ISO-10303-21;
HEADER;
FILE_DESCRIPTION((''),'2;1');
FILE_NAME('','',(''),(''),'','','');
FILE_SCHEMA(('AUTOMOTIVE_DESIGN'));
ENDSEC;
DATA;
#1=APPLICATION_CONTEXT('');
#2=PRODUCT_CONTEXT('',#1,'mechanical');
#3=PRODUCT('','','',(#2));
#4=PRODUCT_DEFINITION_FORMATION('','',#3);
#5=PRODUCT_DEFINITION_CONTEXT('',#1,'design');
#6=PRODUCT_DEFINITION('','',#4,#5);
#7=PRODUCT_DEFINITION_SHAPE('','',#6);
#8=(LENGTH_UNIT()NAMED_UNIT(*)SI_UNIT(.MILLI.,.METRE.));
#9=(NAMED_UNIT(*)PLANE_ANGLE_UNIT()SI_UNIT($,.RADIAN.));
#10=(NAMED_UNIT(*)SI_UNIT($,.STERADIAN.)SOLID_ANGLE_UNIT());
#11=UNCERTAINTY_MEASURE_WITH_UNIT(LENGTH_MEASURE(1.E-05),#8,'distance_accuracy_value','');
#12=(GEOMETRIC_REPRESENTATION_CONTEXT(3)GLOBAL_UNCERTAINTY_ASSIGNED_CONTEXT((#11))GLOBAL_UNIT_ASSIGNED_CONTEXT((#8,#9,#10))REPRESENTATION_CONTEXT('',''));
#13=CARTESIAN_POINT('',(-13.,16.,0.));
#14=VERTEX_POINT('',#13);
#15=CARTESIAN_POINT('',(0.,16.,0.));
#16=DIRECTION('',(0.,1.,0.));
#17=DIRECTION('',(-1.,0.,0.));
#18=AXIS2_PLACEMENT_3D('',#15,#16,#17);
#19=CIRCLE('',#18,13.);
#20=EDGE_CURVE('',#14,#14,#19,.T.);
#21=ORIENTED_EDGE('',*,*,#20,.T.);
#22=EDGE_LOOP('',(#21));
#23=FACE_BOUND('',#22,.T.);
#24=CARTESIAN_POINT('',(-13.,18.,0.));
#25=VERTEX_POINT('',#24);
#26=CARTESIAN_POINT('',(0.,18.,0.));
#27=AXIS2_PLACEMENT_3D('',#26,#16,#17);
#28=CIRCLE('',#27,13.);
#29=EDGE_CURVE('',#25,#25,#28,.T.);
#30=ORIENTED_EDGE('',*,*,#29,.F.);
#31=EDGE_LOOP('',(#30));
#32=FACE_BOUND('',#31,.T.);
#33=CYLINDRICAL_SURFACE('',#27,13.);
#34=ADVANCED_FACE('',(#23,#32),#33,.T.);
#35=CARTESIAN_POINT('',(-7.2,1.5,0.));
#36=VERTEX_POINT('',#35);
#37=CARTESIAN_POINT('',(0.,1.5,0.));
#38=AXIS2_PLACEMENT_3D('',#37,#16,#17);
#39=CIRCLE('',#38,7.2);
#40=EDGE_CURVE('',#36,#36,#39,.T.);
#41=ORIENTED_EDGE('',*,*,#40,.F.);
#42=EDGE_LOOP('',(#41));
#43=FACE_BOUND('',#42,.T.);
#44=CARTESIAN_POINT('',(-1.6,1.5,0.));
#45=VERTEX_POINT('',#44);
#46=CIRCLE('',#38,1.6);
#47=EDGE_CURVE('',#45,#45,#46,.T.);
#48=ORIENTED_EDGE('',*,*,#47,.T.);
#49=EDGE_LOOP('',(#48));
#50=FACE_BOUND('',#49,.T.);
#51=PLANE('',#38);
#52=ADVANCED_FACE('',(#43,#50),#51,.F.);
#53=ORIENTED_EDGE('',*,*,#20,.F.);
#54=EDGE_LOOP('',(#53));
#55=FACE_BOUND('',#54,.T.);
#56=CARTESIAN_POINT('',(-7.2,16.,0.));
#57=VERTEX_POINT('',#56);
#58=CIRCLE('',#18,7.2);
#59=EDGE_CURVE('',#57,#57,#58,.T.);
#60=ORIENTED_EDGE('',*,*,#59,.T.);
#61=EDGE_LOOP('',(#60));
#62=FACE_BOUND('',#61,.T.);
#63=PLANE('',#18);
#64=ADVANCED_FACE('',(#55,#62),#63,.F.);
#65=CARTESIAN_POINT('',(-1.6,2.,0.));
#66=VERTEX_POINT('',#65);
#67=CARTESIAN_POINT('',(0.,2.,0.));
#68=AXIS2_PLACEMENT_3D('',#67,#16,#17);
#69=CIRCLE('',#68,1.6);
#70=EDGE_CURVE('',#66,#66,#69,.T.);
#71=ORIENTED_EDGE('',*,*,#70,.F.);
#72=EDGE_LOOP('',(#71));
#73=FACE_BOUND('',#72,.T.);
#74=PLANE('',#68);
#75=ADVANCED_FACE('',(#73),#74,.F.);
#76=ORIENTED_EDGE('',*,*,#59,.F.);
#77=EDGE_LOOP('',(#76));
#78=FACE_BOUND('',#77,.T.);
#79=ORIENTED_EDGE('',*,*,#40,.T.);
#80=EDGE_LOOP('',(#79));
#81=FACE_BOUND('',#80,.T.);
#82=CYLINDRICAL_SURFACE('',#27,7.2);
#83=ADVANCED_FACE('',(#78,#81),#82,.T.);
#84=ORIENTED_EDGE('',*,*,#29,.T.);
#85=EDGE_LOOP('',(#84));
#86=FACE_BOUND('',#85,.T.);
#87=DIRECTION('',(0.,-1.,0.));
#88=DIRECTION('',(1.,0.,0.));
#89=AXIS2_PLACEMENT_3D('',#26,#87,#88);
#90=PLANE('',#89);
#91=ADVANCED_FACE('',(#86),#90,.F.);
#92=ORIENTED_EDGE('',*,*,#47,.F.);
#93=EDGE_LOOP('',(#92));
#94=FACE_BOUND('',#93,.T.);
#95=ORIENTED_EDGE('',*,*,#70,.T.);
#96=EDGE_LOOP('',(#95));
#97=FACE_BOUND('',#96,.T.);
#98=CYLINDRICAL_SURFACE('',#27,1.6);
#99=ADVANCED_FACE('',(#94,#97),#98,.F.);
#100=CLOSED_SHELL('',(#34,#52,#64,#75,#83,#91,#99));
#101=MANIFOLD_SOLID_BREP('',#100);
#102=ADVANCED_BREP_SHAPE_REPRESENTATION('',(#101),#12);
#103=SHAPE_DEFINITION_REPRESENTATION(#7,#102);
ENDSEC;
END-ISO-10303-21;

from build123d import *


with BuildPart() as part:
    # 草图1 → 旋转2 (revolve)
    with BuildSketch(Plane.XY, mode=Mode.PRIVATE) as revolve_2_sk:
        Polygon((0, 18), (0, 2), (1.5, 2), (1.6, 2), (1.6, 1.5), (7.2, 1.5), (7.2, 16), (9.2, 16), (13, 16), (13, 18), align=None)
    revolve(revolve_2_sk.sketch.rotate(Axis((0, 18, 0), (0, -1, 0)), 180), axis=Axis((0, 18, 0), (0, -1, 0)))


solid = part.part
